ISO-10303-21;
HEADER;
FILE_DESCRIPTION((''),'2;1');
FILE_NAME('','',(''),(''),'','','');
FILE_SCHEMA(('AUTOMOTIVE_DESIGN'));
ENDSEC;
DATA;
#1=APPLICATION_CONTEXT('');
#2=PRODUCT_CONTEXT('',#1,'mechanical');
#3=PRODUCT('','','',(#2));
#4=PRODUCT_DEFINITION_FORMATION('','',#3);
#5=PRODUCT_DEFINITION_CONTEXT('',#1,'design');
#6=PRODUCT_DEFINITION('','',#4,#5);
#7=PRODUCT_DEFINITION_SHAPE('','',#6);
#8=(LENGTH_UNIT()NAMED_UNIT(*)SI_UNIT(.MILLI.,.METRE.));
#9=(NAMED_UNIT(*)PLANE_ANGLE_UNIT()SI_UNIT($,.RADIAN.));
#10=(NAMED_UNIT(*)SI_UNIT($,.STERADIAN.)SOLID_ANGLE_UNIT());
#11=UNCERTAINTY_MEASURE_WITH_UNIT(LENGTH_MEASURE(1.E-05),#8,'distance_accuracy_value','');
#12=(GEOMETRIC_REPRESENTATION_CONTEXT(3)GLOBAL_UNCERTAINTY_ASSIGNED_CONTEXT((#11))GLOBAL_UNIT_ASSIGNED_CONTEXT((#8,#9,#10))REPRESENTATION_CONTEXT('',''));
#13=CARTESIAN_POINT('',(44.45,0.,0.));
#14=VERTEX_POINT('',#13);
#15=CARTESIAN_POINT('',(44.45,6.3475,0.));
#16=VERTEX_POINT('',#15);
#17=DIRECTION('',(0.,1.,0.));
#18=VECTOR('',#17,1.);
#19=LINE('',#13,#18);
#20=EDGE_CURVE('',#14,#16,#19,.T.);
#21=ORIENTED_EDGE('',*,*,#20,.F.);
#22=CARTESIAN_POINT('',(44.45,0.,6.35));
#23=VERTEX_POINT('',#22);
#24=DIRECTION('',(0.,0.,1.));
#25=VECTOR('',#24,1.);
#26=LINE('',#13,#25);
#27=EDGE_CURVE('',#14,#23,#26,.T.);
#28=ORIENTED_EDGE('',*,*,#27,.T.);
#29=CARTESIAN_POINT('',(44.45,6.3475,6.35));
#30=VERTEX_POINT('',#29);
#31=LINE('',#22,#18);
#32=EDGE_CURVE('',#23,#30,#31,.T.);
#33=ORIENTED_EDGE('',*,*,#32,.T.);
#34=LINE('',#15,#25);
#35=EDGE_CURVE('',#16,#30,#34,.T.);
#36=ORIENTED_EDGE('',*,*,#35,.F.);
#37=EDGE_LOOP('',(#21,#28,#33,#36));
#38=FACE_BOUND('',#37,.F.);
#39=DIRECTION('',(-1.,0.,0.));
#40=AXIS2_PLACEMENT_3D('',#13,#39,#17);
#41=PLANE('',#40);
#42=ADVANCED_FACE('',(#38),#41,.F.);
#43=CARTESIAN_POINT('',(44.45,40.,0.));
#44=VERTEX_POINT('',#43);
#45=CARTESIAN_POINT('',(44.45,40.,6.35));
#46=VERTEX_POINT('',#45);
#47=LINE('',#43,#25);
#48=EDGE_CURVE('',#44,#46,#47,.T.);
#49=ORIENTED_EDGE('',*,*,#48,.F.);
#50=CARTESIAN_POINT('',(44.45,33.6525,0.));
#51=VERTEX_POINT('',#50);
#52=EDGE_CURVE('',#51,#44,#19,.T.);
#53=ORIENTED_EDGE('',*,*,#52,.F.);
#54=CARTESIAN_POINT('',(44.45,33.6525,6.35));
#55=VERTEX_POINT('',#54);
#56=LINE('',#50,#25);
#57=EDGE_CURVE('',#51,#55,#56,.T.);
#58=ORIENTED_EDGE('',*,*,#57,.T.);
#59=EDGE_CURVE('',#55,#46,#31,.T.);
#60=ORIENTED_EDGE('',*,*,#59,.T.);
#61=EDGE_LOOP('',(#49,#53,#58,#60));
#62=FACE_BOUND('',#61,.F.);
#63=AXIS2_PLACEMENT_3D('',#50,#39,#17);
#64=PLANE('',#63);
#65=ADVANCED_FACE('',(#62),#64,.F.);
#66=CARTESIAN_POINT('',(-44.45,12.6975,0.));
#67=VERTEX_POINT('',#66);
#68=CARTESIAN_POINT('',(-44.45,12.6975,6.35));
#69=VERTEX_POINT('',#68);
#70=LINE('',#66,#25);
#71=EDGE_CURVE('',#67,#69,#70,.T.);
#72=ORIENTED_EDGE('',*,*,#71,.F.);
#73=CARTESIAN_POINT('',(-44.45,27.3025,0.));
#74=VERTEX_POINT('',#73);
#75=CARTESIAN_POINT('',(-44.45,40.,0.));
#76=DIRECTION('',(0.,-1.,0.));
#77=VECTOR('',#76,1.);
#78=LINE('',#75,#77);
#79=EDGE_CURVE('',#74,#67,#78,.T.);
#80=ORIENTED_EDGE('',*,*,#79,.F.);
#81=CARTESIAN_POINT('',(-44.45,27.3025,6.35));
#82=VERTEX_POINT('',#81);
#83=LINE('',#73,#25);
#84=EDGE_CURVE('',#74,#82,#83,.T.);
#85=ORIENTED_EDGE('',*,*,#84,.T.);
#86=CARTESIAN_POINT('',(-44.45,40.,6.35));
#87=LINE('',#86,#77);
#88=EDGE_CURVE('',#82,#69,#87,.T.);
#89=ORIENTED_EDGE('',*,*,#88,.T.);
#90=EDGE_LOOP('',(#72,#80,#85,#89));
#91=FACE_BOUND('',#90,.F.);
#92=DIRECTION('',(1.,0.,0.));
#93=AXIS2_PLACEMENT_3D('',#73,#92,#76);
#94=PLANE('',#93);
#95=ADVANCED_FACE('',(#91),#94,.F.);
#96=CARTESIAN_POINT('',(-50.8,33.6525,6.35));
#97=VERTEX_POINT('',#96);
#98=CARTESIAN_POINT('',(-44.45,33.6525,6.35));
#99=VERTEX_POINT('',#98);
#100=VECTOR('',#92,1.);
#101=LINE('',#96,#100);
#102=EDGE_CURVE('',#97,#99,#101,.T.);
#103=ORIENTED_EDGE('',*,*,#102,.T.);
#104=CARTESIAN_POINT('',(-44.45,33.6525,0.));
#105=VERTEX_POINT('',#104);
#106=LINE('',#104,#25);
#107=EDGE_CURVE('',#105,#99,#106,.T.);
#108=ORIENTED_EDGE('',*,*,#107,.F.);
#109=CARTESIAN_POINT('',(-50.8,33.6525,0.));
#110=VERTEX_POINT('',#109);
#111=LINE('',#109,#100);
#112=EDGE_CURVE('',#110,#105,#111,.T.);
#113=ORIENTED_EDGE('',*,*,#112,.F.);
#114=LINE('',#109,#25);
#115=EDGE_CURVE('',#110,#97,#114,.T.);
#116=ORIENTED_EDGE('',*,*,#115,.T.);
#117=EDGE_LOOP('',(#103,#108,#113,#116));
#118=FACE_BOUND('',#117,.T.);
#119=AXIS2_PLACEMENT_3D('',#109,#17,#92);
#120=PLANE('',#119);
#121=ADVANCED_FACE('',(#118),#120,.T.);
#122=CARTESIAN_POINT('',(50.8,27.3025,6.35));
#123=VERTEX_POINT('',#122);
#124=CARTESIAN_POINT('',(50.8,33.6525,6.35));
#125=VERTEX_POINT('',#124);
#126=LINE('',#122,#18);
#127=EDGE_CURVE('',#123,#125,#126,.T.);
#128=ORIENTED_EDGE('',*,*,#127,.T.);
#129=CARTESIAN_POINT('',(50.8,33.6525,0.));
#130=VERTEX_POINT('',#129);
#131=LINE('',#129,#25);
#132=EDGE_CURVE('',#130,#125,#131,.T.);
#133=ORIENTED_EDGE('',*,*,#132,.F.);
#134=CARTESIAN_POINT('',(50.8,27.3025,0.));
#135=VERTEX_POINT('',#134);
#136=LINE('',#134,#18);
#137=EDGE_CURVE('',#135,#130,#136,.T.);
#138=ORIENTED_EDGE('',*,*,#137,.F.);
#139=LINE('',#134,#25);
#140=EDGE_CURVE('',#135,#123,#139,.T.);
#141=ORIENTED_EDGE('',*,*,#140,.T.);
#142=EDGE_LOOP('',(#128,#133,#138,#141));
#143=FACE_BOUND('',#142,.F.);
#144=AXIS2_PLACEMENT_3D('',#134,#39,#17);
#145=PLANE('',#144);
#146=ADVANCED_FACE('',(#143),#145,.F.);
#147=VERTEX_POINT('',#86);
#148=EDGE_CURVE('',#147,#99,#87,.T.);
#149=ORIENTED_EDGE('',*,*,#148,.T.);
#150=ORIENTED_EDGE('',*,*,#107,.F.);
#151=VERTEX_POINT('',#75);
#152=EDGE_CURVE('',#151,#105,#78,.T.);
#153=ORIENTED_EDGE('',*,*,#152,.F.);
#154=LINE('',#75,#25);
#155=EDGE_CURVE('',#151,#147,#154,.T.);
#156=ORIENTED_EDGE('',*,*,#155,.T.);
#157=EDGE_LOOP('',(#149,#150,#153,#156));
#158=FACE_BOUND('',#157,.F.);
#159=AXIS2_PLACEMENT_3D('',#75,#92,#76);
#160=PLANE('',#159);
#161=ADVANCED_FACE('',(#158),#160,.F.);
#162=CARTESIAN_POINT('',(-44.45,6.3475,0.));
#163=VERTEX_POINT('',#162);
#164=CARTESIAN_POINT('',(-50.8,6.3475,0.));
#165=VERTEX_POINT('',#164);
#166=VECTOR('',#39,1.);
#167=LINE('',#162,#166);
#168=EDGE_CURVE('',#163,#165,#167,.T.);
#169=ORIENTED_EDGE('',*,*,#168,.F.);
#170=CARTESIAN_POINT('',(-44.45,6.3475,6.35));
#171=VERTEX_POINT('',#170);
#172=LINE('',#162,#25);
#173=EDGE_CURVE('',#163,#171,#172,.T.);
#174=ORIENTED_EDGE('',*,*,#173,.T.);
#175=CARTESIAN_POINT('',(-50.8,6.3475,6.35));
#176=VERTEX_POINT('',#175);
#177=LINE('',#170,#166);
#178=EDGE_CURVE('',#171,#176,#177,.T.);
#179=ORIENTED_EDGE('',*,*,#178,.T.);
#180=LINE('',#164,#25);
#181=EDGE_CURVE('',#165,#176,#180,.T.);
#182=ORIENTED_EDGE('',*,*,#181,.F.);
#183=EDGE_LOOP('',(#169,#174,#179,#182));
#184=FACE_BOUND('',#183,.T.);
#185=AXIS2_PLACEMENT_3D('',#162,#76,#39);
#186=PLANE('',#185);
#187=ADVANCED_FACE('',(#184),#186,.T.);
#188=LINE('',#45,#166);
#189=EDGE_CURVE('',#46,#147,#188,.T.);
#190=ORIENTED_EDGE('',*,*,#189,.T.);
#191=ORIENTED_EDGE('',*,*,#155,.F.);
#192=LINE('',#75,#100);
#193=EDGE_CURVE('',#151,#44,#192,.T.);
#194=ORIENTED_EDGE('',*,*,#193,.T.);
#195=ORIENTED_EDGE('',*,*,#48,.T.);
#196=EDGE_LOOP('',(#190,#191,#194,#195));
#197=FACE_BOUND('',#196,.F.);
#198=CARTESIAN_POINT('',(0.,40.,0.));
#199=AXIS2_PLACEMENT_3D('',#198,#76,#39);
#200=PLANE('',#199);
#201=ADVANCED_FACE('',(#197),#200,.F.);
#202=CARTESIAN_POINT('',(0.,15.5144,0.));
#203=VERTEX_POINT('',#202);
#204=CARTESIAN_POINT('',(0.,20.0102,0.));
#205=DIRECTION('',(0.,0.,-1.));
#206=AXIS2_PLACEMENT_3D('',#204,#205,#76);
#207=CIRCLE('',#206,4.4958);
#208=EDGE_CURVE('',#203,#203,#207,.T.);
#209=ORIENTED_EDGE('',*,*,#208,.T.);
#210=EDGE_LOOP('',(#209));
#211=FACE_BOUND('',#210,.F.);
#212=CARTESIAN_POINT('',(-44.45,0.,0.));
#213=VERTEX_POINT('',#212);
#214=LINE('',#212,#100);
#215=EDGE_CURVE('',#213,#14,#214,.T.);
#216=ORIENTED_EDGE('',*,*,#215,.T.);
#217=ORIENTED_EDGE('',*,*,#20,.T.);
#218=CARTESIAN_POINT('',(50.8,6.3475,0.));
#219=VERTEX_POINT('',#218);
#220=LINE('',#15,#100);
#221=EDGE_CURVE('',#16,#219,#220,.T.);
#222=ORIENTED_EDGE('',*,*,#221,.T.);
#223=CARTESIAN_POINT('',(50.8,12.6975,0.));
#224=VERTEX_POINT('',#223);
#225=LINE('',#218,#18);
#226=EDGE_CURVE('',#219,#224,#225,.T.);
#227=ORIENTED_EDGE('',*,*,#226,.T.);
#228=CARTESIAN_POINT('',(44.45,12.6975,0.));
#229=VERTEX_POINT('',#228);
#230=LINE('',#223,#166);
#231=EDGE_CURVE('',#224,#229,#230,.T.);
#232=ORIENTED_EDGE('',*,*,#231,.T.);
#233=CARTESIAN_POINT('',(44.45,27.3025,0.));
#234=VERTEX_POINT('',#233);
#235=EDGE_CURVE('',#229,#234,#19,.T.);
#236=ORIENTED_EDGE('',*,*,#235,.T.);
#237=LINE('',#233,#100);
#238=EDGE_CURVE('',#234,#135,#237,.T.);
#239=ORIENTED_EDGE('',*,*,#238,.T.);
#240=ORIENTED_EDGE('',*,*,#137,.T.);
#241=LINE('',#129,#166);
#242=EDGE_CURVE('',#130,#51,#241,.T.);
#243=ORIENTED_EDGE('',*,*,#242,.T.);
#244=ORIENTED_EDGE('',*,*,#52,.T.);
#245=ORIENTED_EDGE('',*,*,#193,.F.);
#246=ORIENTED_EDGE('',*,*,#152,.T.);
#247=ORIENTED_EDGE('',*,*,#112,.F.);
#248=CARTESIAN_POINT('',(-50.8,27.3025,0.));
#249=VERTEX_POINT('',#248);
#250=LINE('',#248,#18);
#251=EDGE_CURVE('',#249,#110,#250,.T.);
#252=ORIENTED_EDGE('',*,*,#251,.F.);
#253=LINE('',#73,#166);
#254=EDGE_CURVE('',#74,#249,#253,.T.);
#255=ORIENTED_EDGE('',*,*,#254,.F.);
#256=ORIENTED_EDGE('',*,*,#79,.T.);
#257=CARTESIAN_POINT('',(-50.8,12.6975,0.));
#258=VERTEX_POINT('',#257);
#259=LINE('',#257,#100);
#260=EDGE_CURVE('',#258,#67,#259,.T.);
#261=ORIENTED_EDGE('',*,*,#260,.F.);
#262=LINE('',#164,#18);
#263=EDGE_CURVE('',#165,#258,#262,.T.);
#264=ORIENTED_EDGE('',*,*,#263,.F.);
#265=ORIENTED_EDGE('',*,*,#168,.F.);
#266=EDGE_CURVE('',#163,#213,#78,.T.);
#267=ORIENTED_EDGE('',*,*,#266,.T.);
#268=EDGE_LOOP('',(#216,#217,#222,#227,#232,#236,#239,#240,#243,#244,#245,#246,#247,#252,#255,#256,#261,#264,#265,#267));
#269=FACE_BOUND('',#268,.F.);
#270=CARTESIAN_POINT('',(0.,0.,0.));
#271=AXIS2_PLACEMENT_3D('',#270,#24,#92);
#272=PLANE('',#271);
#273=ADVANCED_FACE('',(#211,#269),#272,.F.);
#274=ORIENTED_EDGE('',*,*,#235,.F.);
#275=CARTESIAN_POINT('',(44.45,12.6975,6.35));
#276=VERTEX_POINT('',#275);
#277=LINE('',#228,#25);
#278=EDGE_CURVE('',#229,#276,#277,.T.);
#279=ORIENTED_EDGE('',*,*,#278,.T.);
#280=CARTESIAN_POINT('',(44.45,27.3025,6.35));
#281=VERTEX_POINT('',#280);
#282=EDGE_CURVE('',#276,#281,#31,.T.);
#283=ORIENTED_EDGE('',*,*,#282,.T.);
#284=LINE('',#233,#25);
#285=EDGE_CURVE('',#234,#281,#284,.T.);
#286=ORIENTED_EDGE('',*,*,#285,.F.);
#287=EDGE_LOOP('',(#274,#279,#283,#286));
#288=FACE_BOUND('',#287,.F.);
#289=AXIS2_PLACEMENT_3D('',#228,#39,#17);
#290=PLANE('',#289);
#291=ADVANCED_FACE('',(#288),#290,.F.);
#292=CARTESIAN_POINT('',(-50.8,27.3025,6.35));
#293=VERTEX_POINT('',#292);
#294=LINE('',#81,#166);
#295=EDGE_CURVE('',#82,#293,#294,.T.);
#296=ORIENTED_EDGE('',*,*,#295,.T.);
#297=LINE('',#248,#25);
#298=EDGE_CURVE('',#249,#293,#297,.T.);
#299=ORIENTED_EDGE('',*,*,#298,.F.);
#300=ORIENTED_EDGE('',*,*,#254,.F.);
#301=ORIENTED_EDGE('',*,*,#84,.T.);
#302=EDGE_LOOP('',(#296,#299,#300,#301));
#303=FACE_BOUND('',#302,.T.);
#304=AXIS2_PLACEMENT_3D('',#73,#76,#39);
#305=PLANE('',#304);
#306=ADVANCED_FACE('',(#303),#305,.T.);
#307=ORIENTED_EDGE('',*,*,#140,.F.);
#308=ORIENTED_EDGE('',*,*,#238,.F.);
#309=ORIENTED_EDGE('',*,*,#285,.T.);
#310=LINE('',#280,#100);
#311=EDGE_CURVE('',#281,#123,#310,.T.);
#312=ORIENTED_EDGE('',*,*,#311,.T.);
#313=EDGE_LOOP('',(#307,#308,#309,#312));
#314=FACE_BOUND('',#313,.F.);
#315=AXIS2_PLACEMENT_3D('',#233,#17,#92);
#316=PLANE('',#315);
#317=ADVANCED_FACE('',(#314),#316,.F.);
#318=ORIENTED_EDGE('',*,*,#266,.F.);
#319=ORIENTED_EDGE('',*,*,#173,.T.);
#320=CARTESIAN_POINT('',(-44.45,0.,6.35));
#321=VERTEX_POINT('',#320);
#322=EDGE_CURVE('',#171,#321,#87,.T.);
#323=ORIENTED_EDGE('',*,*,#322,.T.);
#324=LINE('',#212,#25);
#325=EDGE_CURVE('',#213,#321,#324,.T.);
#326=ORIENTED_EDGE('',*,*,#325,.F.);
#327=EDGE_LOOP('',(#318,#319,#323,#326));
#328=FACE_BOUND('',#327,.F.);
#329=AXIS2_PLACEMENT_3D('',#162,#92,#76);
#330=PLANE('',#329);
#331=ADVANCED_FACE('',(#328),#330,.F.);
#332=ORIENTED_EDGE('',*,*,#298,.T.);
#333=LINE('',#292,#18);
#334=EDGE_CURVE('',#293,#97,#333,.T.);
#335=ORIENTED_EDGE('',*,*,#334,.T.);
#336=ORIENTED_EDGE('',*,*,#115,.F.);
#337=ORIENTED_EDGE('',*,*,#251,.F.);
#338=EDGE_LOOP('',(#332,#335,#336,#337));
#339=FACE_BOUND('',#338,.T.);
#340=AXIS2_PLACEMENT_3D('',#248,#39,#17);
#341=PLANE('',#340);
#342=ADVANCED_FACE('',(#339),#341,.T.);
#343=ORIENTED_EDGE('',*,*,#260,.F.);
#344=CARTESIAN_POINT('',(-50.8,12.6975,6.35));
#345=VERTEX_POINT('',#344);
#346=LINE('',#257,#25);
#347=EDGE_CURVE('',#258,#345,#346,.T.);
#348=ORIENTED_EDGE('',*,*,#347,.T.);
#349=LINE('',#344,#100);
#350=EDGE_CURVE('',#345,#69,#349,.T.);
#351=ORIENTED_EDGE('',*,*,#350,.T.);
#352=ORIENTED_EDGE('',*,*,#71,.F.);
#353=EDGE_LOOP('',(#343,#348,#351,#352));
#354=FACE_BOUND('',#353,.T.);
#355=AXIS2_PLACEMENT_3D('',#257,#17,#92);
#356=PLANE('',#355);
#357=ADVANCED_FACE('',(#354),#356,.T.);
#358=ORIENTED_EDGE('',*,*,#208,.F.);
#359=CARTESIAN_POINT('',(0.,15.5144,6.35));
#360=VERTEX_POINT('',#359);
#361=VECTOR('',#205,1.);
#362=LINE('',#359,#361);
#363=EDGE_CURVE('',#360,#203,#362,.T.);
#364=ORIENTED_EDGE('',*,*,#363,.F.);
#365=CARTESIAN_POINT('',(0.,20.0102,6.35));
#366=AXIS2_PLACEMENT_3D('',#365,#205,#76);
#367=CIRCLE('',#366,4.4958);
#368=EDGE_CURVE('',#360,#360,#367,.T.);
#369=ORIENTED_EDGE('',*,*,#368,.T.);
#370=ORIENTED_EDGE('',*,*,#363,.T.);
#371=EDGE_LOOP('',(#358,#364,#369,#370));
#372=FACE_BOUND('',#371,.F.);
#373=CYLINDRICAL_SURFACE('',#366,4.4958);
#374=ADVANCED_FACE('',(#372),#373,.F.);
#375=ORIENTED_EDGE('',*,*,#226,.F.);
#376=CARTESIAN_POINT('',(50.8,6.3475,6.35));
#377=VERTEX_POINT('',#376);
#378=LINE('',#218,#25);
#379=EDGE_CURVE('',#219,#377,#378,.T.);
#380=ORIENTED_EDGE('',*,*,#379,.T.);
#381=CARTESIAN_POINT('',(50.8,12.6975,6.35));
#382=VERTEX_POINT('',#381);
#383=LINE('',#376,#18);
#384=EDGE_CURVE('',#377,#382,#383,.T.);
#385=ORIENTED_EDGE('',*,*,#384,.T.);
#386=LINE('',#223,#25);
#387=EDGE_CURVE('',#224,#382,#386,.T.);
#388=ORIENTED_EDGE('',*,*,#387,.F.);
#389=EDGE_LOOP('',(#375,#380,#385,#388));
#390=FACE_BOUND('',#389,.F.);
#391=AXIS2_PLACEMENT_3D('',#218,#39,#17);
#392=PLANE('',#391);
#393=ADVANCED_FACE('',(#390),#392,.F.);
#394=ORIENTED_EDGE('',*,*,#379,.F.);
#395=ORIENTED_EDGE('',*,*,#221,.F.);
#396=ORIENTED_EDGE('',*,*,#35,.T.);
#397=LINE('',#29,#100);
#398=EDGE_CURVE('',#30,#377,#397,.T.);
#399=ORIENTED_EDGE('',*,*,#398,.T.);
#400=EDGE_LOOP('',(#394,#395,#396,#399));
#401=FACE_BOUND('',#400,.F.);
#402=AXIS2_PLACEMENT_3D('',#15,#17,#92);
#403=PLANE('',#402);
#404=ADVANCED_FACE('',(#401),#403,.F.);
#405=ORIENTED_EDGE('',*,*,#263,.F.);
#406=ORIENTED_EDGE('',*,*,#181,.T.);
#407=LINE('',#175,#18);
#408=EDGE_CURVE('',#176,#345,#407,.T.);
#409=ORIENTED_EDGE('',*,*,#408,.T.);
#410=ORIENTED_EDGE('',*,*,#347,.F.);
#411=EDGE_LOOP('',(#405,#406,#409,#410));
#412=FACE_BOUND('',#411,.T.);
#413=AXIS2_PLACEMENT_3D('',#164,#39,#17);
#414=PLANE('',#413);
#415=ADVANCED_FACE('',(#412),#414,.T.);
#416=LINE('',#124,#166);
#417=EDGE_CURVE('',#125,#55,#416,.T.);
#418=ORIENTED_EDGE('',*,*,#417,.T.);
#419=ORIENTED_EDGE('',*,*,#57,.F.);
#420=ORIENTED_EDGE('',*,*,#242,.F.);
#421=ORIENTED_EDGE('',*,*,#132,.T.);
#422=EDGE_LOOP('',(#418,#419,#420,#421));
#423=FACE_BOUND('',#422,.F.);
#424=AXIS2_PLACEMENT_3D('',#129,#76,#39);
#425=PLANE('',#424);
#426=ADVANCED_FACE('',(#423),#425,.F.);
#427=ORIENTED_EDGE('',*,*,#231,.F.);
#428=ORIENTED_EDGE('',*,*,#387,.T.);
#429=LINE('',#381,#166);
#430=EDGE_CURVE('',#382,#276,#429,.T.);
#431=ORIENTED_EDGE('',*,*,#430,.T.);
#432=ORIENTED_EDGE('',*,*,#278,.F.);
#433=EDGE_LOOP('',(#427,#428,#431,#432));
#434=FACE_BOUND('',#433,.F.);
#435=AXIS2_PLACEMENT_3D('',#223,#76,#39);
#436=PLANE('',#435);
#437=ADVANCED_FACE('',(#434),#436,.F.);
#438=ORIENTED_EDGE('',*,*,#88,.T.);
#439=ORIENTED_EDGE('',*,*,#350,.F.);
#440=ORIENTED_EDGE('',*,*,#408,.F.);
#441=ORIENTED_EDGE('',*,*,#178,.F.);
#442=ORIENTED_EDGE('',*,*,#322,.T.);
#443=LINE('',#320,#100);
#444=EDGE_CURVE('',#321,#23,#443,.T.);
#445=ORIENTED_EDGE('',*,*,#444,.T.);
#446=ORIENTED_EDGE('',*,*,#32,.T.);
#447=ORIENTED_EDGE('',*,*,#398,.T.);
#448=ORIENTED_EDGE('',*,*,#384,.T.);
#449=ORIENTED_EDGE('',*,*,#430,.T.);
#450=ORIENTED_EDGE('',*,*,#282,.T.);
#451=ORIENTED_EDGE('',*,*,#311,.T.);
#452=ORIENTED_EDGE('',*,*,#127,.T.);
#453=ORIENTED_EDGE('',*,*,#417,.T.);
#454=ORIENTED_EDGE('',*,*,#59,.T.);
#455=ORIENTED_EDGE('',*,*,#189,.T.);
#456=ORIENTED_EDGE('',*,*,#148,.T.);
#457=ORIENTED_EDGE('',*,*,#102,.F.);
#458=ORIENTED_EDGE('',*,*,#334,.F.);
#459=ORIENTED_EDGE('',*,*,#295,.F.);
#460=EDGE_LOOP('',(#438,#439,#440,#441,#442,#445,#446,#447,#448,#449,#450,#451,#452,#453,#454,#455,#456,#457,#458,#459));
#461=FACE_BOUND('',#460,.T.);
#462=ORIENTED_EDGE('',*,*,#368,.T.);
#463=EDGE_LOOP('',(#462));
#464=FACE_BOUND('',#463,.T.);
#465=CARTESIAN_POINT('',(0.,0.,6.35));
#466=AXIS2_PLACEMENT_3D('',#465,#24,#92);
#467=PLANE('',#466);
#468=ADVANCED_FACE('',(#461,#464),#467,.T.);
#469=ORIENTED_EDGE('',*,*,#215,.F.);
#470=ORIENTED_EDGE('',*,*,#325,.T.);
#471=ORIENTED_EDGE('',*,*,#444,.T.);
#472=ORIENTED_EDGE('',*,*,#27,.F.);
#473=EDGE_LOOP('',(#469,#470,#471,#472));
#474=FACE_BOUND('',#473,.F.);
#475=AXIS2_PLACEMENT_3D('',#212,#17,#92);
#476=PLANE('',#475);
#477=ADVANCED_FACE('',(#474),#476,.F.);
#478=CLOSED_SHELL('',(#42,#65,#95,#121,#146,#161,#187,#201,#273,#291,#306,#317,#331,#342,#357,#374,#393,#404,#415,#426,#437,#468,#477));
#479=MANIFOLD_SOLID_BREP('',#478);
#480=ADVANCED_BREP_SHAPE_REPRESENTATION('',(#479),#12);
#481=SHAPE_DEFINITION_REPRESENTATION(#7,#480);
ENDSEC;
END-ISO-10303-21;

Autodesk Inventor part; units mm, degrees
ref_plane "YZ Plane" through (0, 0, 0) normal (1, 0, 0) x (0, 1, 0)
ref_plane "XZ Plane" through (0, 0, 0) normal (0, 1, 0) x (-1, 0, 0)
ref_plane "XY Plane" through (0, 0, 0) normal (0, 0, 1) x (1, 0, 0)
sketch "Sketch1" plane through (0, 0, 0) normal (0, 0, 1) x (1, 0, 0)
  line L0 (-44.45, 0) -> (44.45, 0)
  line L1 (44.45, 0) -> (44.45, 40)
  line L2 (44.45, 40) -> (-44.45, 40)
  line L3 (-44.45, 40) -> (-44.45, 0)
  line L4 (-50.8, 33.6525) -> (-44.45, 33.6525)
  line L5 (-44.45, 33.6525) -> (-44.45, 27.3025)
  line L6 (-44.45, 27.3025) -> (-50.8, 27.3025)
  line L7 (-50.8, 27.3025) -> (-50.8, 33.6525)
  line L8 (-50.8, 12.6975) -> (-44.45, 12.6975)
  line L9 (-44.45, 12.6975) -> (-44.45, 6.3475)
  line L10 (-44.45, 6.3475) -> (-50.8, 6.3475)
  line L11 (-50.8, 6.3475) -> (-50.8, 12.6975)
  line L12 (0, 40) -> (0, 32.8851)
  line L13 (-44.45, 12.6975) -> (-44.45, 27.3025)
  line L14 (50.8, 33.6525) -> (44.45, 33.6525)
  line L15 (44.45, 33.6525) -> (44.45, 27.3025)
  line L16 (44.45, 27.3025) -> (50.8, 27.3025)
  line L17 (50.8, 27.3025) -> (50.8, 33.6525)
  line L18 (50.8, 12.6975) -> (44.45, 12.6975)
  line L19 (44.45, 12.6975) -> (44.45, 6.3475)
  line L20 (44.45, 6.3475) -> (50.8, 6.3475)
  line L21 (50.8, 6.3475) -> (50.8, 12.6975)
  line L22 (44.45, 12.6975) -> (44.45, 27.3025)
  point P0 (0, 0)
  point P1 (-44.45, 20)
  point P2 (0, 0)
  point P3 (44.45, 20)
  dimension "d0" = 40
  dimension "d1" = 88.9
  dimension "d2" = 6.35
  dimension "d3" = 6.35
  dimension "d4" = 14.605
extrude "Extrusion1" add sketch "Sketch1" along normal blind 6.35
hole "Hole1" at (0, 20.0102, 6.35) direction (0, 0, -1) diameter 8.9916 end through all clearance for "Flat Head Machine Screw" size "M8" standard "Ansi Metric M Profile"
properties part number "acrylic kinect plate"
